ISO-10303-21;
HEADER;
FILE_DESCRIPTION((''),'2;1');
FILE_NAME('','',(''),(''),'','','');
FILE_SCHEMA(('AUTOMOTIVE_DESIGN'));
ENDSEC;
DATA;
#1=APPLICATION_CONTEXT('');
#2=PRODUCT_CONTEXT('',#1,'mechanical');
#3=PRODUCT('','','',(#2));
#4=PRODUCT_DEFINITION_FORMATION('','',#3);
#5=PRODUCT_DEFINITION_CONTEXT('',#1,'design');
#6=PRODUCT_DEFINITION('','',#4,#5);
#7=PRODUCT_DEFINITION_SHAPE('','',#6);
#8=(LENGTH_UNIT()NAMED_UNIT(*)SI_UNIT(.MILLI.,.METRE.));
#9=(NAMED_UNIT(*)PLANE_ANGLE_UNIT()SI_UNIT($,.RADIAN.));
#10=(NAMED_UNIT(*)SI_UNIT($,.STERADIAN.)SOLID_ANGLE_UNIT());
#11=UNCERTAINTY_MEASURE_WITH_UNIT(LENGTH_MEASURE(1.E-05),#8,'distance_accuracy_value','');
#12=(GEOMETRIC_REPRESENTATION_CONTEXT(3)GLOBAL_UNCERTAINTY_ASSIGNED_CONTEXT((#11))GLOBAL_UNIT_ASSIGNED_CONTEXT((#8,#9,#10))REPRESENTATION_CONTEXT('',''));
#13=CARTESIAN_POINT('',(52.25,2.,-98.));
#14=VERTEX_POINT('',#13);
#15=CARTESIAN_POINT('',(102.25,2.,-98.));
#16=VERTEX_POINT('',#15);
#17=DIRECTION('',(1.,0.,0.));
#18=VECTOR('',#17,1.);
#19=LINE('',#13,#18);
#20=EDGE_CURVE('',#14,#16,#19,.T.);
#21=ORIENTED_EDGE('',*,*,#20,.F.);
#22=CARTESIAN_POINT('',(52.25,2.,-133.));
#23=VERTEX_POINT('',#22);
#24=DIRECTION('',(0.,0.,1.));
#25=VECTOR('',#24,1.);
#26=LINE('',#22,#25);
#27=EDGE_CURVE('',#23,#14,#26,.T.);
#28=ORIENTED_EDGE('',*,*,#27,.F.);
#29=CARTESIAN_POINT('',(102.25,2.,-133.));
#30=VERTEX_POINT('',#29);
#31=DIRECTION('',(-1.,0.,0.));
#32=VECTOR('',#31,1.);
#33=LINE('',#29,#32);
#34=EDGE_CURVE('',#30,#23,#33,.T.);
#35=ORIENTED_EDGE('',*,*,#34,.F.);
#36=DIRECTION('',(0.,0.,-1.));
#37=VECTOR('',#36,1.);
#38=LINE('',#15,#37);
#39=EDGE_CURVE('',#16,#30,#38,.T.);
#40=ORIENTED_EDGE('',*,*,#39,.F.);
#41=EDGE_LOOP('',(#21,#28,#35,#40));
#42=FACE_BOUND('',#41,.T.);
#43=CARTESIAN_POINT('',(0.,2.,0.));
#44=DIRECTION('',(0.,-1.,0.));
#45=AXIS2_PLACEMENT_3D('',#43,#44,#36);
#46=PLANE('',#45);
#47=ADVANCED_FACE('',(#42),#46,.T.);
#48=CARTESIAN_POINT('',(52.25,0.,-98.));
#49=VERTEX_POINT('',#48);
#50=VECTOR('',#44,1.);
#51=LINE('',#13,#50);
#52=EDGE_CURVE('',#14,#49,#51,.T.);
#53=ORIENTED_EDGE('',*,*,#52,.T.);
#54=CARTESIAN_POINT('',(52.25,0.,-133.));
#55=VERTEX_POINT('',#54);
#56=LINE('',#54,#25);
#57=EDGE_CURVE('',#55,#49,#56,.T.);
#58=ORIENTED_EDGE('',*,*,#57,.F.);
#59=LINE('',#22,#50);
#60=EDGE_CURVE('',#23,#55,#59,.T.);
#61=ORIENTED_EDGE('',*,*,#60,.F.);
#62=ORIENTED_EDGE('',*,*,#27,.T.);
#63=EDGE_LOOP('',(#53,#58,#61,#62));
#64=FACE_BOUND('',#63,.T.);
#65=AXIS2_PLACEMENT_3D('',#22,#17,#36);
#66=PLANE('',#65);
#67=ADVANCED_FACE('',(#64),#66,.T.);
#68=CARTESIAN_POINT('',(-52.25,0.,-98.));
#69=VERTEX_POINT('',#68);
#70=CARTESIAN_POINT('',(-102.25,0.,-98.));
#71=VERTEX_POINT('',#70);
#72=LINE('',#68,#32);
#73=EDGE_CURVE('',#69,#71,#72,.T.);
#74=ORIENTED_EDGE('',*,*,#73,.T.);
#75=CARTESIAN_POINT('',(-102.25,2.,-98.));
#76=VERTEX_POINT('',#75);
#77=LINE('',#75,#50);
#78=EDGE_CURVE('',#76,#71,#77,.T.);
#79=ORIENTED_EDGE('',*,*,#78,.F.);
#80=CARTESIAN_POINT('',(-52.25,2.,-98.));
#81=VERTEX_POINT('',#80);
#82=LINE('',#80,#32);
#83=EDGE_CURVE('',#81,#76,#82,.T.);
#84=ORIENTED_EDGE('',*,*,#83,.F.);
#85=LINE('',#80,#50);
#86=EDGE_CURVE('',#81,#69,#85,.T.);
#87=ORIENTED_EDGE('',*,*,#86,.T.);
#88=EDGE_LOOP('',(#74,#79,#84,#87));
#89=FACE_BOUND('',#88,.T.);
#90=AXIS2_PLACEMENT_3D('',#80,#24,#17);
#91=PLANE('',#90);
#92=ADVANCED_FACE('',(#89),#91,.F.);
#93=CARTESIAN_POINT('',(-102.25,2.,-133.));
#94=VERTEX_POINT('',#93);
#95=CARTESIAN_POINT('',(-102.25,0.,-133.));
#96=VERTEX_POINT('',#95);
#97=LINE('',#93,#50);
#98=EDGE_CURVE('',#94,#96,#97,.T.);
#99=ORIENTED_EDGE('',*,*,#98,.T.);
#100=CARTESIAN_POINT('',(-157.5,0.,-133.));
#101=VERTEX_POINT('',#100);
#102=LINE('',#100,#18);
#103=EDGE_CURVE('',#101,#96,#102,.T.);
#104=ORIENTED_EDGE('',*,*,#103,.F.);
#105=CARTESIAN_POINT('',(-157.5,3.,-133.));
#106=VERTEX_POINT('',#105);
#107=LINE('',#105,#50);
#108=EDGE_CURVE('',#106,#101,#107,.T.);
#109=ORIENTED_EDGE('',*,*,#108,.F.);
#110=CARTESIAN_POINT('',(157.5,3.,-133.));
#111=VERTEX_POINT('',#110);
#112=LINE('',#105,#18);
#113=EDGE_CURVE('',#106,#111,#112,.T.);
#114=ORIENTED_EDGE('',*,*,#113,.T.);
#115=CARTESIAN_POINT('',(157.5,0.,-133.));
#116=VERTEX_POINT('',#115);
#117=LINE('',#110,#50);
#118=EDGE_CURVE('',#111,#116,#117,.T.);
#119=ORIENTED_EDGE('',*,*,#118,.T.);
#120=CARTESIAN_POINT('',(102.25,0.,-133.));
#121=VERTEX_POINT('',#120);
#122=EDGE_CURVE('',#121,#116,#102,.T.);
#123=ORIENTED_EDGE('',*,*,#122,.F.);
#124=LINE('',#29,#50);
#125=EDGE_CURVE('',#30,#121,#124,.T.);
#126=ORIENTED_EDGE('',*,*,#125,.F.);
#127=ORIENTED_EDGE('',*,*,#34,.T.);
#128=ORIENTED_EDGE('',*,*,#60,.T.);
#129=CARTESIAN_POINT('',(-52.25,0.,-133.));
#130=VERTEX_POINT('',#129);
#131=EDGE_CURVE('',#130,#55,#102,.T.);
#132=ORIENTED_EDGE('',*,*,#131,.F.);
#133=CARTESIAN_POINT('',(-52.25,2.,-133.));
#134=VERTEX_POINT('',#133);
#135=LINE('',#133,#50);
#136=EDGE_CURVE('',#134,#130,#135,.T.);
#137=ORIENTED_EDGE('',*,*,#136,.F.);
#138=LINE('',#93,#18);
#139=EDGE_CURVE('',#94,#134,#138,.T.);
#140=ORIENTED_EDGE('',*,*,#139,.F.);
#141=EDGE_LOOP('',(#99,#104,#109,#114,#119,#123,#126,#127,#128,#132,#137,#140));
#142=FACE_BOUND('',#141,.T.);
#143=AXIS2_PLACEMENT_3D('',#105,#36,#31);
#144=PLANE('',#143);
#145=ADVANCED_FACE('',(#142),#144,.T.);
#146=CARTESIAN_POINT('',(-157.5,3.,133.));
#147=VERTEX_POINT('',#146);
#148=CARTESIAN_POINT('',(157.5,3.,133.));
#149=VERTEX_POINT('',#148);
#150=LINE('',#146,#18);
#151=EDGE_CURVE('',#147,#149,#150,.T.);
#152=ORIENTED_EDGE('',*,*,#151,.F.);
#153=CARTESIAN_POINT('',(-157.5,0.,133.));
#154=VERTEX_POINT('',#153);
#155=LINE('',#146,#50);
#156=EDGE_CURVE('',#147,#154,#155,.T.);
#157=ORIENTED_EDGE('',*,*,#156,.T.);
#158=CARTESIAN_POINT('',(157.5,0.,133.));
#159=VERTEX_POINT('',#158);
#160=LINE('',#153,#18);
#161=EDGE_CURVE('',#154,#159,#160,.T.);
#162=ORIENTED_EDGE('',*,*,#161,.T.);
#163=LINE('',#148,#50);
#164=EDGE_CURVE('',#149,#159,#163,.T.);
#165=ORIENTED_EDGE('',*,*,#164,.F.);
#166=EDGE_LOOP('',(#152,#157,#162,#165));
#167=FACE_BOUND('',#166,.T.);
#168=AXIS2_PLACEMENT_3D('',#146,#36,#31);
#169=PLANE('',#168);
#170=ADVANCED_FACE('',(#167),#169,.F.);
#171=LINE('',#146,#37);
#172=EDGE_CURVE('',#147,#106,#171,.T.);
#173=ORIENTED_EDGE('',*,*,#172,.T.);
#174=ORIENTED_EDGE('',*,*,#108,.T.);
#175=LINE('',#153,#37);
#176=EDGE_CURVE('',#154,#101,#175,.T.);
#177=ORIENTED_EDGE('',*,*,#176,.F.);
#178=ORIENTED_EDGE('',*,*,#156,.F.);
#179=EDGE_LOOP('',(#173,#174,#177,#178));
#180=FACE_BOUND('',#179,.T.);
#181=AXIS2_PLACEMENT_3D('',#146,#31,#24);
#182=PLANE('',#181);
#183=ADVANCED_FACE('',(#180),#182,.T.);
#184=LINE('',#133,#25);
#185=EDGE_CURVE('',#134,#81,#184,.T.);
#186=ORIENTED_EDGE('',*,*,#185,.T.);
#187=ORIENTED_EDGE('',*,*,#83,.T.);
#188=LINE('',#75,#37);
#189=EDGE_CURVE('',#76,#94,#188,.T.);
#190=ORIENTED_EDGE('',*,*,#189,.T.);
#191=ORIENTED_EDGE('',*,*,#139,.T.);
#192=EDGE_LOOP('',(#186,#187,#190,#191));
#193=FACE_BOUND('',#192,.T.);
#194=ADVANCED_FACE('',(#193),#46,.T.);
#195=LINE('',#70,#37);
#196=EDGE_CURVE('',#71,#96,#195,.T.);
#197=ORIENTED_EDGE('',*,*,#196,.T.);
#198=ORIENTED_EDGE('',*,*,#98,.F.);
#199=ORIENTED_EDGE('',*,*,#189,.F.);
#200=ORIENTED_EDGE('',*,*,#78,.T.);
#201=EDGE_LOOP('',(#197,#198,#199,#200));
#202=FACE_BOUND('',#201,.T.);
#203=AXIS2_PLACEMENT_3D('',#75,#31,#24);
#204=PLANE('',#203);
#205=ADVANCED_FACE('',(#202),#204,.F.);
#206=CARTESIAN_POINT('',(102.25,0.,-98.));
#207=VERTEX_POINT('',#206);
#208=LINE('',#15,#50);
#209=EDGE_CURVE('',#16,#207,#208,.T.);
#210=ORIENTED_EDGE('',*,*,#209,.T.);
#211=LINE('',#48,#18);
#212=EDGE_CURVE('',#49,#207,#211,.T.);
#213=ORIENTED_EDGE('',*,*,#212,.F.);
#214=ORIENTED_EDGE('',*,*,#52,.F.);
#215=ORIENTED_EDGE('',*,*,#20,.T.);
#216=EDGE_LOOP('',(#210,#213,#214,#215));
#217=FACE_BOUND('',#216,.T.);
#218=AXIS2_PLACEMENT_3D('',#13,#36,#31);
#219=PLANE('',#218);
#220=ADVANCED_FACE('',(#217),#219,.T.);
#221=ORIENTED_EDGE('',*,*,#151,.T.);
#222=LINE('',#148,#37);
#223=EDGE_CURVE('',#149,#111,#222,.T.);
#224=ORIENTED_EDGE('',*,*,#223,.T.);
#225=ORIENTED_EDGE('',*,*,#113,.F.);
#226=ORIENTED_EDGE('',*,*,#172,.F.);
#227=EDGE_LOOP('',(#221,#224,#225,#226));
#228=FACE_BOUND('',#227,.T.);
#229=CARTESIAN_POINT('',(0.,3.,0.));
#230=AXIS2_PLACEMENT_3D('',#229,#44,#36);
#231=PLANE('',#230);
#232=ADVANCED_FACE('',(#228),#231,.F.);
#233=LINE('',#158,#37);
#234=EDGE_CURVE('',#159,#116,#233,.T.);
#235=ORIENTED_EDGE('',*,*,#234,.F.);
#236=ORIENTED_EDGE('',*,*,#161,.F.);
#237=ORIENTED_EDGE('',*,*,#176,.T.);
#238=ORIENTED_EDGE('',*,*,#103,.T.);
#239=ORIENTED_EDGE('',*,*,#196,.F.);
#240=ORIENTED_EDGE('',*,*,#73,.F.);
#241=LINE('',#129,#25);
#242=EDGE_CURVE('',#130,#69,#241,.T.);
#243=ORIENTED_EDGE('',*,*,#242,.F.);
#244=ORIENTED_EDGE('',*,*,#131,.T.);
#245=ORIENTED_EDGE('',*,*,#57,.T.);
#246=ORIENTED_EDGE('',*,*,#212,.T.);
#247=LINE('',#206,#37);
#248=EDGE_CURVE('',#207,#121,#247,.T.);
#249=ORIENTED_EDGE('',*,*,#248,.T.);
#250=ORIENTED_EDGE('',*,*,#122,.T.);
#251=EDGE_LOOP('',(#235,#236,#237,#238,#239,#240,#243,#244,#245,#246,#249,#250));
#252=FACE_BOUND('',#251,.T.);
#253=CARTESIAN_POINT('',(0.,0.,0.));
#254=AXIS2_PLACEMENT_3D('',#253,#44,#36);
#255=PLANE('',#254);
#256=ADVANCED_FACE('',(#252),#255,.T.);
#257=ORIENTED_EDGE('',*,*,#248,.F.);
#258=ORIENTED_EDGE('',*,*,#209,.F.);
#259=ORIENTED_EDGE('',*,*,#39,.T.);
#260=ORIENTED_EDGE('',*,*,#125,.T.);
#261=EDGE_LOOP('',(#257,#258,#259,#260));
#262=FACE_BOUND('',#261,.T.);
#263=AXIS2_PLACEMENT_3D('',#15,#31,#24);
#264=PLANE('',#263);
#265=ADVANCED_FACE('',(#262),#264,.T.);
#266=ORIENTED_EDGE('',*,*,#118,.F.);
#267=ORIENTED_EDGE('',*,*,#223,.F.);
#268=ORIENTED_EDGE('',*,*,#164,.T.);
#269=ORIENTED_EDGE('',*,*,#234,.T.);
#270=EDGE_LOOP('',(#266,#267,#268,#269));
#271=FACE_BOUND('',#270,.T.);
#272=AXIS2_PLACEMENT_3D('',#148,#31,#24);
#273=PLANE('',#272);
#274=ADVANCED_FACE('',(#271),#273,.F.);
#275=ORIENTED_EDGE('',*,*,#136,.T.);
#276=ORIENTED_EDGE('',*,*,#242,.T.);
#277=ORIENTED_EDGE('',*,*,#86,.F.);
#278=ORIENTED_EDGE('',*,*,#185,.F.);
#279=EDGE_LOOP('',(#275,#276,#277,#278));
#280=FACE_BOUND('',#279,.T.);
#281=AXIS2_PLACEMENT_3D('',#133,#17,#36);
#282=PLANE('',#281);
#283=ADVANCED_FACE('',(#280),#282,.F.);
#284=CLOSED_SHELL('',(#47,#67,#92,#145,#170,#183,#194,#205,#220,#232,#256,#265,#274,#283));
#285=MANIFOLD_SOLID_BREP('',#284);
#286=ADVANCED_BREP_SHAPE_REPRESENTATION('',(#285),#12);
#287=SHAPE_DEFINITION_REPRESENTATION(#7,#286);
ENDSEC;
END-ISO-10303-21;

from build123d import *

# Parameters (mm, degrees)
SKETCH1_W           = 315
SKETCH1_H           = 266
BOSS_EXTRUDE1_DEPTH = 3
SKETCH2_W           = 50
SKETCH2_H           = 35
CUT_EXTRUDE1_DEPTH  = 2


with BuildPart() as part:
    # Sketch1 → Boss-Extrude1 (new body)
    with BuildSketch(Plane(origin=(0, 0, 0), x_dir=(1, 0, 0), z_dir=(0, 1, 0))):
        Rectangle(SKETCH1_W, SKETCH1_H)
    extrude(amount=BOSS_EXTRUDE1_DEPTH)

    # Sketch2 → Cut-Extrude1 (cut)
    with BuildSketch(Plane.XZ):
        with Locations((-77.25, -115.5)):
            Rectangle(SKETCH2_W, SKETCH2_H)
    cut_extrude1 = extrude(amount=-CUT_EXTRUDE1_DEPTH, mode=Mode.SUBTRACT)

    # Mirror1: Cut-Extrude1 across plane
    add(cut_extrude1.mirror(Plane(origin=(0, 0, 0), x_dir=(0, 0, 1), z_dir=(1, 0, 0))), mode=Mode.SUBTRACT)


solid = part.part
